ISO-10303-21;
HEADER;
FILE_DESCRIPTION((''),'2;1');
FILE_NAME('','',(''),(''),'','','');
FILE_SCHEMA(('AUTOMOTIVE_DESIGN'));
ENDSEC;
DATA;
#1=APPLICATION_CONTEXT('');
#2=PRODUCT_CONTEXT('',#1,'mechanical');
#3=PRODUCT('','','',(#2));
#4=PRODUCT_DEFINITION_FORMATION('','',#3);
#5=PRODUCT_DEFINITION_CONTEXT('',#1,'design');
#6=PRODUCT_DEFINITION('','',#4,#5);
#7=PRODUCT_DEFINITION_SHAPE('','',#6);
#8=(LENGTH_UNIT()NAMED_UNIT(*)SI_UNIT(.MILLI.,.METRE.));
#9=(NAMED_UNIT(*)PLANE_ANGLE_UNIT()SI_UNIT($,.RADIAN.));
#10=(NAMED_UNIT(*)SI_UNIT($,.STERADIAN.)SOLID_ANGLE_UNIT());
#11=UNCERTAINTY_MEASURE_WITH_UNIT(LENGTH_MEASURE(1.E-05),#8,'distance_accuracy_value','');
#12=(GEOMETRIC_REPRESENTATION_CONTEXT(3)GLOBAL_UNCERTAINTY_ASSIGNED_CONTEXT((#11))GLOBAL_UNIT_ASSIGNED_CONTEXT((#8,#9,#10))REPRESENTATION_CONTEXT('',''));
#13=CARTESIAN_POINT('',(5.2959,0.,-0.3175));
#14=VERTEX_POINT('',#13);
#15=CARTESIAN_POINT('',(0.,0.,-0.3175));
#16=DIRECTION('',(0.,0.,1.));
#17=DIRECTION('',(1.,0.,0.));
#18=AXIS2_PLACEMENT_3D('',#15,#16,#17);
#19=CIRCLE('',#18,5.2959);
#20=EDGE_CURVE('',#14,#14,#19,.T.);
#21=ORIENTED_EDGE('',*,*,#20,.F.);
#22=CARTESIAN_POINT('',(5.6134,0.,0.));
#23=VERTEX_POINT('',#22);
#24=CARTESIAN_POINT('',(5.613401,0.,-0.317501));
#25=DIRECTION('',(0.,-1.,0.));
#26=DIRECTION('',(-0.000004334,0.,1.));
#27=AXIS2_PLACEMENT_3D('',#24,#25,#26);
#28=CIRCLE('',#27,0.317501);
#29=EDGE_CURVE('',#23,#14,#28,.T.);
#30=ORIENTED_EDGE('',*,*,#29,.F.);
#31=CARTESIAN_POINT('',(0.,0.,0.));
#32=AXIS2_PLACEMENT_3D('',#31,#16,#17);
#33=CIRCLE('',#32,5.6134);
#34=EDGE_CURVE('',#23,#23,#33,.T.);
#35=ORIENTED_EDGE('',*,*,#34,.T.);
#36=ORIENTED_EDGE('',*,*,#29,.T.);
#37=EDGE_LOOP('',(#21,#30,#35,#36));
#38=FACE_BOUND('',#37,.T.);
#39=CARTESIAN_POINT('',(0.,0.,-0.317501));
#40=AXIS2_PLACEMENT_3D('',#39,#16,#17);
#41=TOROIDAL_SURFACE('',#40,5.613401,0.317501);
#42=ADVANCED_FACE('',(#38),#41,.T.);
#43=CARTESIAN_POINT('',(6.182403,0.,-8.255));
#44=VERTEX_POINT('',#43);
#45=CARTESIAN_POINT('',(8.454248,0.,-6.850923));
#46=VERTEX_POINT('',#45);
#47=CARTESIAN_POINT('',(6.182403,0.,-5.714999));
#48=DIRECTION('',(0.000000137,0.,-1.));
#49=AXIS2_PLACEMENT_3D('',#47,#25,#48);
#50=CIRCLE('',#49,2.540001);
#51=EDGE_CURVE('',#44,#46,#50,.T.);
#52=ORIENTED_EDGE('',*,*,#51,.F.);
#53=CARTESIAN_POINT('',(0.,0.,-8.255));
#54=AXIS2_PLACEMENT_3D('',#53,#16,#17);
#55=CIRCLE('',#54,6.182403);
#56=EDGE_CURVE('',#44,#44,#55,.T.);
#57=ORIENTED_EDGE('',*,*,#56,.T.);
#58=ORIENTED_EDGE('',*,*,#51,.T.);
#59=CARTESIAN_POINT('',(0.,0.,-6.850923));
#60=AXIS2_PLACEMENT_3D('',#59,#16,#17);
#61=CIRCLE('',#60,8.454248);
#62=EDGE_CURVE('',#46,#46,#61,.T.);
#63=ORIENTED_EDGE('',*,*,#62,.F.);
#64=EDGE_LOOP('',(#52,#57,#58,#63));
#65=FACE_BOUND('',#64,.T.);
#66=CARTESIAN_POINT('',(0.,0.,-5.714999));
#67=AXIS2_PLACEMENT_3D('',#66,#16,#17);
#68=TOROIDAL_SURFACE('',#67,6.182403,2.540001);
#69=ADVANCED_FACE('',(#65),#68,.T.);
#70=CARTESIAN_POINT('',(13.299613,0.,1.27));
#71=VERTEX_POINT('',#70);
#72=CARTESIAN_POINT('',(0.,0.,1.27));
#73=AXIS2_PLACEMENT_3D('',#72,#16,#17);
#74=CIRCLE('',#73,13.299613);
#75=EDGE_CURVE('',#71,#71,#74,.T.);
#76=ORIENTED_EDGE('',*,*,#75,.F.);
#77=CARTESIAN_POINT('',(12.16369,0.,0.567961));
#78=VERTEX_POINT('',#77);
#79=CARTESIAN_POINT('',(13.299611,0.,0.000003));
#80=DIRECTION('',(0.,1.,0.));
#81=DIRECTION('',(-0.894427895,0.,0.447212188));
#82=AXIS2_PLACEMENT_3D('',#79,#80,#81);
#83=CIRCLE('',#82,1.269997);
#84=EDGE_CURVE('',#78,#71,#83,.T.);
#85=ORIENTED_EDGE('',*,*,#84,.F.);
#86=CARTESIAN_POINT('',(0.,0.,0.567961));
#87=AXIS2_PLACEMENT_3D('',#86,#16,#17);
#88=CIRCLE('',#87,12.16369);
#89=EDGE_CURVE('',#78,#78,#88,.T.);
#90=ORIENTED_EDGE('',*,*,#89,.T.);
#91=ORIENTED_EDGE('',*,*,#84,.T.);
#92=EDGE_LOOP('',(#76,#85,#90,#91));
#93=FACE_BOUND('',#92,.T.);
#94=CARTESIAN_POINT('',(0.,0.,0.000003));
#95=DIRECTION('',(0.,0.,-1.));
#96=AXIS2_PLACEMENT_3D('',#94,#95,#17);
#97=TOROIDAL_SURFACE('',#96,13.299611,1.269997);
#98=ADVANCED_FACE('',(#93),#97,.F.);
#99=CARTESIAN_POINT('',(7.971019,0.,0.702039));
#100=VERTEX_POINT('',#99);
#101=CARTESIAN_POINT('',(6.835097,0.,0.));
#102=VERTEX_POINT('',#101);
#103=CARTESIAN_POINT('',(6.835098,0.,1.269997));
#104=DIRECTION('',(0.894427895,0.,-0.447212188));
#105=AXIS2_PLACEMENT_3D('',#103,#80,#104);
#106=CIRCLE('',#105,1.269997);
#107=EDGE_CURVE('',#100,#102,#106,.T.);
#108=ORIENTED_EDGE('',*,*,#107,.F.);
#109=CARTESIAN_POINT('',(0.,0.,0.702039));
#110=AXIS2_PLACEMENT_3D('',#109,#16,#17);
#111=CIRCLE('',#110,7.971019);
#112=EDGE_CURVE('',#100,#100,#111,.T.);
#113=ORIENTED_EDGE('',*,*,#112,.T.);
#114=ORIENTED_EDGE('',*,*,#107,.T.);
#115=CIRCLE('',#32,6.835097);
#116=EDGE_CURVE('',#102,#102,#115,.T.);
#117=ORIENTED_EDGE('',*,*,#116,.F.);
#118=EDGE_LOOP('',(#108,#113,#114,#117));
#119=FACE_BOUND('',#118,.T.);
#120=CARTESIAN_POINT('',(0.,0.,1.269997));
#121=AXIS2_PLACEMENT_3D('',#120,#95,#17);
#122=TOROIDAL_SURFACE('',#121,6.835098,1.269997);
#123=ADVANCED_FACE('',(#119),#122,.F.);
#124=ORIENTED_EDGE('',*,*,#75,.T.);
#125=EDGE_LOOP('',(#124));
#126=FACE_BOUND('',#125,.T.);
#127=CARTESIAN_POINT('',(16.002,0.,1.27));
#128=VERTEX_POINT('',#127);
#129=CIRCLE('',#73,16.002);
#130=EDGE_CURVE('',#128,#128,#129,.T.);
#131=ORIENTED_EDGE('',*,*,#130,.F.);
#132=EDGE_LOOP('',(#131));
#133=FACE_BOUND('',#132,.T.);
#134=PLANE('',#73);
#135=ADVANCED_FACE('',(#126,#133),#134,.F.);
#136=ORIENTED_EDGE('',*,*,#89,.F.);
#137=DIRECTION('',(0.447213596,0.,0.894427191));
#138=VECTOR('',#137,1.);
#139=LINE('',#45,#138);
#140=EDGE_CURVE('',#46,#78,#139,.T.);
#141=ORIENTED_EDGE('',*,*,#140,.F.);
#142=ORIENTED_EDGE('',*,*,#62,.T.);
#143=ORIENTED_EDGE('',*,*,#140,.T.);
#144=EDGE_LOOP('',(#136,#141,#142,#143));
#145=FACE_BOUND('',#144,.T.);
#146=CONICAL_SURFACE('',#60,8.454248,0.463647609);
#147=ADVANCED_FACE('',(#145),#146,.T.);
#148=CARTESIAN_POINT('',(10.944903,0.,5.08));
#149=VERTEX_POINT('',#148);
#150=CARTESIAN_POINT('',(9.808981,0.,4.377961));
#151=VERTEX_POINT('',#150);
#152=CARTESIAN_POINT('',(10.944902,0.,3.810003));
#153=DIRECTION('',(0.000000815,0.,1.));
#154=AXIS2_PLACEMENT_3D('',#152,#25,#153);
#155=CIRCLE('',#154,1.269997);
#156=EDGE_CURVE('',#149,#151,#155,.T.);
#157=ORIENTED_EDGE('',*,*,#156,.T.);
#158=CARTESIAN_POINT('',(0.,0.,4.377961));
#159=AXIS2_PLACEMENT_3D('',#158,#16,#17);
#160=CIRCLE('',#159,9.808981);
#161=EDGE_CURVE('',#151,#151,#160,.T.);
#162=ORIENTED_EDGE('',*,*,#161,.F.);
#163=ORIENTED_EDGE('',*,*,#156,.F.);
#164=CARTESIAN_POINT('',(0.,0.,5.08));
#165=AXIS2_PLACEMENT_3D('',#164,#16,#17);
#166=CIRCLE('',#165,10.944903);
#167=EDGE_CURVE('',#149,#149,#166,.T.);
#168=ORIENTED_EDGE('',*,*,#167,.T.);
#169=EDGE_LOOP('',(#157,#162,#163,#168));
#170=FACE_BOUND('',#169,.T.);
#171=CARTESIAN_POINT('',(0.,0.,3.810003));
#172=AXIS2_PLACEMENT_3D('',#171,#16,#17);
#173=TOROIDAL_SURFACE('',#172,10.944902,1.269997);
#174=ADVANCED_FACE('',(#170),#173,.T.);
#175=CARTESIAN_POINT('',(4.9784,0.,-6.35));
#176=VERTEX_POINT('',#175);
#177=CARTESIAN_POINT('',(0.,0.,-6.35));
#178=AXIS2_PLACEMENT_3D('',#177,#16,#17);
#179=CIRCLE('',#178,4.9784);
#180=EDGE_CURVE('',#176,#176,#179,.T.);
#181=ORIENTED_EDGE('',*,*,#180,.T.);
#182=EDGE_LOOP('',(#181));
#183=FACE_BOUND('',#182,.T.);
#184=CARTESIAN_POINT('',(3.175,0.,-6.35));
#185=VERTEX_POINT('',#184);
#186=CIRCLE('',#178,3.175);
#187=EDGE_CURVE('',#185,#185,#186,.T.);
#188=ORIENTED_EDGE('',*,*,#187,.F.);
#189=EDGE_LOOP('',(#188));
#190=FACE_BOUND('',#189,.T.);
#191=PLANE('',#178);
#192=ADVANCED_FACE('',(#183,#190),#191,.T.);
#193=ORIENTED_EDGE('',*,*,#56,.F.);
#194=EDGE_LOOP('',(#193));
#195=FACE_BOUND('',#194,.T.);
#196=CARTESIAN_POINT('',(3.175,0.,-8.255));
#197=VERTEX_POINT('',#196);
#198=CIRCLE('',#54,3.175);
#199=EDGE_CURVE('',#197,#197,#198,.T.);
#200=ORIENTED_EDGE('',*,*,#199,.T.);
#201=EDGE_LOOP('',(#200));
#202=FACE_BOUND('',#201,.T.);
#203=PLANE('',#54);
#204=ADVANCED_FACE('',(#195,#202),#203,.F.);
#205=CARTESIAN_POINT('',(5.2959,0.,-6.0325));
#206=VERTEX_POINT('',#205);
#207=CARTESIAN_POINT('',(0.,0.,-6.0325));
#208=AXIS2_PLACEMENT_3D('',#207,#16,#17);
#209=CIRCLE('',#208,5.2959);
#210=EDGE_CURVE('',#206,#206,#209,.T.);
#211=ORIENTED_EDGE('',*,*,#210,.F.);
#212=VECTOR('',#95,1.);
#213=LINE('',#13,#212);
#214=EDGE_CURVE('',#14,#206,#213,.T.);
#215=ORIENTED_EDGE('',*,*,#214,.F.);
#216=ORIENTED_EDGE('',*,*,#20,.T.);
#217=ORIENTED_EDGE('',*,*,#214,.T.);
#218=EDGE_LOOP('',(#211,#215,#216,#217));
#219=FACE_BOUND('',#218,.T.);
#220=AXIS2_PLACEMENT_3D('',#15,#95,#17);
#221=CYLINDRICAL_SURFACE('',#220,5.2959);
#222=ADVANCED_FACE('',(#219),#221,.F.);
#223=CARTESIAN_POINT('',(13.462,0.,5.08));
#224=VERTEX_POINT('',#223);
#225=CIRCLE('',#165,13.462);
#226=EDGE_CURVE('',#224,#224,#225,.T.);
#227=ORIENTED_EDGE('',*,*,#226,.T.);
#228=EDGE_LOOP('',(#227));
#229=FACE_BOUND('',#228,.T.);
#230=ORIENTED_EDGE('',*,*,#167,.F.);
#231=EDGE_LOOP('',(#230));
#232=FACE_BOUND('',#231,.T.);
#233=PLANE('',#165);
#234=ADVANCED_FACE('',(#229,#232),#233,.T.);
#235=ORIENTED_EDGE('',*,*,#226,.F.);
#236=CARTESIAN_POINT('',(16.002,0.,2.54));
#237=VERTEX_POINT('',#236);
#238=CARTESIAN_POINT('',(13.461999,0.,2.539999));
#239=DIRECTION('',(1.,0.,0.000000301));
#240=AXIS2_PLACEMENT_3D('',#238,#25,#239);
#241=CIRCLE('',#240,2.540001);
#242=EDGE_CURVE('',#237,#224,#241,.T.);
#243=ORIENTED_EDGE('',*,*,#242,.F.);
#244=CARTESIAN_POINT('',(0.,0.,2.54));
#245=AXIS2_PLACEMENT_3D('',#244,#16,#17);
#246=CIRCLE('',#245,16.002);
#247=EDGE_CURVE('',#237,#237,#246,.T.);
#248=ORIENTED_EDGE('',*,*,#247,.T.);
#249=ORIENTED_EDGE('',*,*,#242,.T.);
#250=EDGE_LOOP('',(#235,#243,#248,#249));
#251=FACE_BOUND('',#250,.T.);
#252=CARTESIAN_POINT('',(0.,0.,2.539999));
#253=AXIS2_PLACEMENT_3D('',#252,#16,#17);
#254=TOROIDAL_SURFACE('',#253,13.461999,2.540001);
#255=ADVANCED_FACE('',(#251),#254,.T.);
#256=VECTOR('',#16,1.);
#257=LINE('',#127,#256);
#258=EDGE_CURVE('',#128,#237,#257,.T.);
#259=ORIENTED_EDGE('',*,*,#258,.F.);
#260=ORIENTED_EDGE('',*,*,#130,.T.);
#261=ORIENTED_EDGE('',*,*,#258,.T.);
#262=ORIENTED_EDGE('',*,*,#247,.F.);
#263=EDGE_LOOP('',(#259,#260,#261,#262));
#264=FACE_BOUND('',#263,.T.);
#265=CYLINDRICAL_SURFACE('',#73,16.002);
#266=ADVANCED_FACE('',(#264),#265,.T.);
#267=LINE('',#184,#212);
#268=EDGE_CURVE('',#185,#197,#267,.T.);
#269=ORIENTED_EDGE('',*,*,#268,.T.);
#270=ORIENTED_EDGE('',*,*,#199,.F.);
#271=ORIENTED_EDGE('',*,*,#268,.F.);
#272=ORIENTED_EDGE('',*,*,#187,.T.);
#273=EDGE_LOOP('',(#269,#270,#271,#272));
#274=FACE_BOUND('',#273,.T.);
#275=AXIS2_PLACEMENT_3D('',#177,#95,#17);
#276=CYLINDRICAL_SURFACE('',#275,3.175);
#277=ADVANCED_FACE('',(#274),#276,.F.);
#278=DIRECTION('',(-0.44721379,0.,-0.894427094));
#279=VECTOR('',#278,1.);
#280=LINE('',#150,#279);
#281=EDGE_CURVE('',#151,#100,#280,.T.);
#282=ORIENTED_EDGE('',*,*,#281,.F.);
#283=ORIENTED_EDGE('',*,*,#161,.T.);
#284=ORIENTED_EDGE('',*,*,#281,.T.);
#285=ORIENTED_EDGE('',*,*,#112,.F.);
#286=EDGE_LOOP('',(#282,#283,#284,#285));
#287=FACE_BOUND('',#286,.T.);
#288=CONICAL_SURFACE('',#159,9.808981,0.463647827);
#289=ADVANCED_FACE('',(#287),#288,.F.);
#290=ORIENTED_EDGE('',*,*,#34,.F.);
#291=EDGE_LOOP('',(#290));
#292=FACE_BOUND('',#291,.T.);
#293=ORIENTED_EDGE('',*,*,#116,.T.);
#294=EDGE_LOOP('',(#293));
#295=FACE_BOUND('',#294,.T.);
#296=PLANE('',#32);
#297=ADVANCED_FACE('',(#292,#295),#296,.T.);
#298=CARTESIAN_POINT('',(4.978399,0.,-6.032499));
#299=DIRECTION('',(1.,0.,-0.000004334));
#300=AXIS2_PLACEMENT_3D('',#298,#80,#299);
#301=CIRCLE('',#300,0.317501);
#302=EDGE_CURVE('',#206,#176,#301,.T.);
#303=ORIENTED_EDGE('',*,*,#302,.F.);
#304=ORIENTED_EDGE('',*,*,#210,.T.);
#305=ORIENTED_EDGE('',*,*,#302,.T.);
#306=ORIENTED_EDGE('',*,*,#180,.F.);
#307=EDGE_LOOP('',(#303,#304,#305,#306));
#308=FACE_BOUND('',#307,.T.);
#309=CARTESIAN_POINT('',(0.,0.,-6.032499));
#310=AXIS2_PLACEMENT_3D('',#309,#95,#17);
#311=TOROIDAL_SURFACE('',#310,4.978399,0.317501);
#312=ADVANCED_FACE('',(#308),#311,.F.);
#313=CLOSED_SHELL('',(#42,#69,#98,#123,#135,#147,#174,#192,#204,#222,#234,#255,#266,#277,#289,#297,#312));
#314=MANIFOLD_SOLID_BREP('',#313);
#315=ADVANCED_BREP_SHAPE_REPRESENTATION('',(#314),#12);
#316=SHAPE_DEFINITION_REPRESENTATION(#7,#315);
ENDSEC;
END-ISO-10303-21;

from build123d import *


with BuildPart() as f1:
    # F0 (on Front) → F1 (revolve)
    with BuildSketch(Plane.XZ):
        with BuildLine():
            Line((6.835097, 0), (5.6134, 0))
            ThreePointArc((5.6134, 0), (5.388894, -0.092994), (5.2959, -0.3175))
            Line((5.2959, -0.3175), (5.2959, -6.0325))
            ThreePointArc((5.2959, -6.0325), (5.202906, -6.257006), (4.9784, -6.35))
            Line((4.9784, -6.35), (3.175, -6.35))
            Line((3.175, -6.35), (3.175, -8.255))
            Line((3.175, -8.255), (6.182403, -8.255))
            ThreePointArc((6.182403, -8.255), (7.51776, -7.875653), (8.454248, -6.850923))
            Line((8.454248, -6.850923), (12.16369, 0.567961))
            ThreePointArc((12.16369, 0.567961), (12.631934, 1.080327), (13.299613, 1.27))
            Line((13.299613, 1.27), (16.002, 1.27))
            Line((16.002, 1.27), (16.002, 2.54))
            ThreePointArc((16.002, 2.54), (15.258051, 4.336051), (13.462, 5.08))
            Line((13.462, 5.08), (10.944903, 5.08))
            ThreePointArc((10.944903, 5.08), (10.277225, 4.890327), (9.808981, 4.377961))
            Line((9.808981, 4.377961), (7.971019, 0.702039))
            ThreePointArc((7.971019, 0.702039), (7.502775, 0.189673), (6.835097, 0))
        make_face()
    revolve(axis=Axis((0, 0, 5.523293), (0, 0, 1)))


solid = f1.part
